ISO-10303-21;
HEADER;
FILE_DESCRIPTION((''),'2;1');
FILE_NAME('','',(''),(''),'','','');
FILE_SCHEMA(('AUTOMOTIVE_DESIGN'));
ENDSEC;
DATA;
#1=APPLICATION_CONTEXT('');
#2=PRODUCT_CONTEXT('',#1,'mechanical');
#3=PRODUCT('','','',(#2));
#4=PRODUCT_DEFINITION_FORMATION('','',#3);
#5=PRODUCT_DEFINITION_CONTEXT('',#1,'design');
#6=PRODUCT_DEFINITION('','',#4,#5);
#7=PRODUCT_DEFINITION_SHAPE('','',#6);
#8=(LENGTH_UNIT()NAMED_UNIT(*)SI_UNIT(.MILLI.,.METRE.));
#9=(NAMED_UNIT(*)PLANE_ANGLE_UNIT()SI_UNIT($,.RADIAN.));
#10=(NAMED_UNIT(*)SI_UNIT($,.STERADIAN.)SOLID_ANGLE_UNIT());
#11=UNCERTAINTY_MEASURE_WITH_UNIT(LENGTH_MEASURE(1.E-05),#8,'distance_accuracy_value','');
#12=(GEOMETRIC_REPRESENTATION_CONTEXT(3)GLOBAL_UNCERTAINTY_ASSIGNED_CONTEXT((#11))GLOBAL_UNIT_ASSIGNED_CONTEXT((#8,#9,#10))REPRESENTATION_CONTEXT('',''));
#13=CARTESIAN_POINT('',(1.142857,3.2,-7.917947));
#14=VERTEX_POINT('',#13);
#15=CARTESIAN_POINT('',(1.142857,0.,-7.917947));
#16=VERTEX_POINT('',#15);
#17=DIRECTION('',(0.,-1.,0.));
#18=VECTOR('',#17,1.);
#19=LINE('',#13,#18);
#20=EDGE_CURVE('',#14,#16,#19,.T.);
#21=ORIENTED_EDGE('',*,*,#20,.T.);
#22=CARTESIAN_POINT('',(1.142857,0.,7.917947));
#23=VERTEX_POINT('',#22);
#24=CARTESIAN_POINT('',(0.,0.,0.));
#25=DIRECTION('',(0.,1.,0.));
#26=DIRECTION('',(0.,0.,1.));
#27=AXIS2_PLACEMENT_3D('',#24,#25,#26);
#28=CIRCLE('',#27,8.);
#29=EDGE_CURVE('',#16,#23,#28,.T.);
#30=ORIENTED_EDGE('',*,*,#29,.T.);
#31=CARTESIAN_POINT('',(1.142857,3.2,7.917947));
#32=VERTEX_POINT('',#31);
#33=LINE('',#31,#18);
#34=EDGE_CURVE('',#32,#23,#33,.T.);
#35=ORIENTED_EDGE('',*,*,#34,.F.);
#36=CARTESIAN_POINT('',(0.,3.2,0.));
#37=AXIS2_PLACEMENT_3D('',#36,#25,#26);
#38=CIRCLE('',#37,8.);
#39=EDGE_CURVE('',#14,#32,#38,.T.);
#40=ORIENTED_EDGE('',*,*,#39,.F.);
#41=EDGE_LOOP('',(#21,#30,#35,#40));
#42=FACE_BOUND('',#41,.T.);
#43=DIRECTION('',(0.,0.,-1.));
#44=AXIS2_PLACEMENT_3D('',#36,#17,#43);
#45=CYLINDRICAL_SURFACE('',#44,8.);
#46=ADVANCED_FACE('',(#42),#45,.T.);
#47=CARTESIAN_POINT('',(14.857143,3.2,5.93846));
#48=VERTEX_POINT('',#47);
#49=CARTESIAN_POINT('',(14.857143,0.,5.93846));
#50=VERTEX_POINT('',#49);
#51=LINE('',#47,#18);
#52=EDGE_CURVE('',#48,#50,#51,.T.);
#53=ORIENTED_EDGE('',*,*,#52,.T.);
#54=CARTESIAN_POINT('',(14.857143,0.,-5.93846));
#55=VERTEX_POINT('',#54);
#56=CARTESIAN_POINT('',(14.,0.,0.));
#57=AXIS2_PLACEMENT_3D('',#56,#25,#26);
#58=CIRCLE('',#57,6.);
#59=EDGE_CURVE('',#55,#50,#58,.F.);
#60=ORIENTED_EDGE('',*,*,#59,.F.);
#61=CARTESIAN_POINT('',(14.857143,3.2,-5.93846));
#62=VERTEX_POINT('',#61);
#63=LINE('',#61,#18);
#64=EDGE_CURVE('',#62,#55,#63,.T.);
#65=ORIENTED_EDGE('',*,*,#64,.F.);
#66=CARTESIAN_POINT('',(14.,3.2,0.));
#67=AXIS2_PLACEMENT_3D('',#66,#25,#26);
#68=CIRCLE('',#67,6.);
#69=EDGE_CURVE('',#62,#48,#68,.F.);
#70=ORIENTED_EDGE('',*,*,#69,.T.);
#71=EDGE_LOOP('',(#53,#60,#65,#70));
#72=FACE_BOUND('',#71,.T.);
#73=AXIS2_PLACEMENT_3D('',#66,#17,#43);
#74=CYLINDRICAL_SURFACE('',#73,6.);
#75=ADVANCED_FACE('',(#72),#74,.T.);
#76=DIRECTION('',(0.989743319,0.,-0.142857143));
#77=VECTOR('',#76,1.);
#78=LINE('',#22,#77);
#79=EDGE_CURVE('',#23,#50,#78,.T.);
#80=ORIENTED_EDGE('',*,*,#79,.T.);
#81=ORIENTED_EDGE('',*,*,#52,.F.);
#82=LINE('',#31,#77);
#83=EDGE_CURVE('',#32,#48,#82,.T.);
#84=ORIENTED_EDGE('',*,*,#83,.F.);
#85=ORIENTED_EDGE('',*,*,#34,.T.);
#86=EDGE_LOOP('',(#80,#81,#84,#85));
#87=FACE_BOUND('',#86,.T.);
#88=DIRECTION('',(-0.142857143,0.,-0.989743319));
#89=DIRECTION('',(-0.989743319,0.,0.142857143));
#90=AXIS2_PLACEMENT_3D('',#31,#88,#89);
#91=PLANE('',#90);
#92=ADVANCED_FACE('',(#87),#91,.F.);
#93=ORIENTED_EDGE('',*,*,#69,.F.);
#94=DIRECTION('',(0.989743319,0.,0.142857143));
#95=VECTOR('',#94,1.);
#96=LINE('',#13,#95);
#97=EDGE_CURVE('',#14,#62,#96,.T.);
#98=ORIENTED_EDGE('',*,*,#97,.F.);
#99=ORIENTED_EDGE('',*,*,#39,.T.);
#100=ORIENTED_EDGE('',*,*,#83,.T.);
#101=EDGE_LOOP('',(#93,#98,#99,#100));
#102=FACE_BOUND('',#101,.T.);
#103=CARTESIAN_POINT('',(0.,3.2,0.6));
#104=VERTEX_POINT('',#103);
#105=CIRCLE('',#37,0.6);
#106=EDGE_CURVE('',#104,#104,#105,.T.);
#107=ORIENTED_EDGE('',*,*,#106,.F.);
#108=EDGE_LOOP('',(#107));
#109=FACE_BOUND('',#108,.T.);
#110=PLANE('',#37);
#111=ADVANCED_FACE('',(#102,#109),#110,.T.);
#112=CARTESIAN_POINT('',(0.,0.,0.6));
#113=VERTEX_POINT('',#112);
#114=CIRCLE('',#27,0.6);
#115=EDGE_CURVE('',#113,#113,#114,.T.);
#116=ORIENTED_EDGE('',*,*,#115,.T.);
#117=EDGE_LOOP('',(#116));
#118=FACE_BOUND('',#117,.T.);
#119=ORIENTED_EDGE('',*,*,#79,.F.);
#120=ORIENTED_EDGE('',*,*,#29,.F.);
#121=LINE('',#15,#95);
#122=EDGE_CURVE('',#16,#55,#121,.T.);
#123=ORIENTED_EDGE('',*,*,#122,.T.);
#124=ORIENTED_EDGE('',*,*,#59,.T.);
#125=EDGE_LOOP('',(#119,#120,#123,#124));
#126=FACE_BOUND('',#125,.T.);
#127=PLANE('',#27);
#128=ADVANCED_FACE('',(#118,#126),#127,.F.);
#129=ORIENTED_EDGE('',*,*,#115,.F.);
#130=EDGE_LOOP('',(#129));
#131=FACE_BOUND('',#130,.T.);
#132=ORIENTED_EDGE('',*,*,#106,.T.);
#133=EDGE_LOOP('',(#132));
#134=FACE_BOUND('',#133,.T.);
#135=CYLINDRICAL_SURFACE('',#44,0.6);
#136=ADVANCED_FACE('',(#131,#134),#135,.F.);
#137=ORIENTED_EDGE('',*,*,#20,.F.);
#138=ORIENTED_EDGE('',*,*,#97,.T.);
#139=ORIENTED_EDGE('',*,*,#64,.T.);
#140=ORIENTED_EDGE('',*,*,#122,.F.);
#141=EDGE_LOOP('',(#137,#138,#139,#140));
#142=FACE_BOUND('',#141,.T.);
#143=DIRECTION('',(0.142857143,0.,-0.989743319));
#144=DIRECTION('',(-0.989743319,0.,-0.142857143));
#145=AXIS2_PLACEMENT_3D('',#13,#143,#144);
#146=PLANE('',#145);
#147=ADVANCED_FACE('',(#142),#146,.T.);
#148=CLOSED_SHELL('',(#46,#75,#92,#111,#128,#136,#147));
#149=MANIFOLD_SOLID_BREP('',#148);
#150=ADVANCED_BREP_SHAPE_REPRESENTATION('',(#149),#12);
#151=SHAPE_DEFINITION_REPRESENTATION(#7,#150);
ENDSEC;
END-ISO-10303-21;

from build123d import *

# Parameters (mm, degrees)
SKETCH1_R           = 0.6
BOSS_EXTRUDE1_DEPTH = 3.2


with BuildPart() as part:
    # Sketch1 → Boss-Extrude1 (new body)
    with BuildSketch(Plane(origin=(0, 0, 0), x_dir=(1, 0, 0), z_dir=(0, 1, 0))):
        with BuildLine():
            Line((1.142857143, -7.917946549), (14.857142857, -5.938459912))
            ThreePointArc((14.857142857, -5.938459912), (20, 0), (14.857142857, 5.938459912))
            Line((14.857142857, 5.938459912), (1.142857143, 7.917946549))
            ThreePointArc((1.142857143, 7.917946549), (-8, 0), (1.142857143, -7.917946549))
        make_face()
        Circle(SKETCH1_R, mode=Mode.SUBTRACT)
    extrude(amount=BOSS_EXTRUDE1_DEPTH)


solid = part.part
